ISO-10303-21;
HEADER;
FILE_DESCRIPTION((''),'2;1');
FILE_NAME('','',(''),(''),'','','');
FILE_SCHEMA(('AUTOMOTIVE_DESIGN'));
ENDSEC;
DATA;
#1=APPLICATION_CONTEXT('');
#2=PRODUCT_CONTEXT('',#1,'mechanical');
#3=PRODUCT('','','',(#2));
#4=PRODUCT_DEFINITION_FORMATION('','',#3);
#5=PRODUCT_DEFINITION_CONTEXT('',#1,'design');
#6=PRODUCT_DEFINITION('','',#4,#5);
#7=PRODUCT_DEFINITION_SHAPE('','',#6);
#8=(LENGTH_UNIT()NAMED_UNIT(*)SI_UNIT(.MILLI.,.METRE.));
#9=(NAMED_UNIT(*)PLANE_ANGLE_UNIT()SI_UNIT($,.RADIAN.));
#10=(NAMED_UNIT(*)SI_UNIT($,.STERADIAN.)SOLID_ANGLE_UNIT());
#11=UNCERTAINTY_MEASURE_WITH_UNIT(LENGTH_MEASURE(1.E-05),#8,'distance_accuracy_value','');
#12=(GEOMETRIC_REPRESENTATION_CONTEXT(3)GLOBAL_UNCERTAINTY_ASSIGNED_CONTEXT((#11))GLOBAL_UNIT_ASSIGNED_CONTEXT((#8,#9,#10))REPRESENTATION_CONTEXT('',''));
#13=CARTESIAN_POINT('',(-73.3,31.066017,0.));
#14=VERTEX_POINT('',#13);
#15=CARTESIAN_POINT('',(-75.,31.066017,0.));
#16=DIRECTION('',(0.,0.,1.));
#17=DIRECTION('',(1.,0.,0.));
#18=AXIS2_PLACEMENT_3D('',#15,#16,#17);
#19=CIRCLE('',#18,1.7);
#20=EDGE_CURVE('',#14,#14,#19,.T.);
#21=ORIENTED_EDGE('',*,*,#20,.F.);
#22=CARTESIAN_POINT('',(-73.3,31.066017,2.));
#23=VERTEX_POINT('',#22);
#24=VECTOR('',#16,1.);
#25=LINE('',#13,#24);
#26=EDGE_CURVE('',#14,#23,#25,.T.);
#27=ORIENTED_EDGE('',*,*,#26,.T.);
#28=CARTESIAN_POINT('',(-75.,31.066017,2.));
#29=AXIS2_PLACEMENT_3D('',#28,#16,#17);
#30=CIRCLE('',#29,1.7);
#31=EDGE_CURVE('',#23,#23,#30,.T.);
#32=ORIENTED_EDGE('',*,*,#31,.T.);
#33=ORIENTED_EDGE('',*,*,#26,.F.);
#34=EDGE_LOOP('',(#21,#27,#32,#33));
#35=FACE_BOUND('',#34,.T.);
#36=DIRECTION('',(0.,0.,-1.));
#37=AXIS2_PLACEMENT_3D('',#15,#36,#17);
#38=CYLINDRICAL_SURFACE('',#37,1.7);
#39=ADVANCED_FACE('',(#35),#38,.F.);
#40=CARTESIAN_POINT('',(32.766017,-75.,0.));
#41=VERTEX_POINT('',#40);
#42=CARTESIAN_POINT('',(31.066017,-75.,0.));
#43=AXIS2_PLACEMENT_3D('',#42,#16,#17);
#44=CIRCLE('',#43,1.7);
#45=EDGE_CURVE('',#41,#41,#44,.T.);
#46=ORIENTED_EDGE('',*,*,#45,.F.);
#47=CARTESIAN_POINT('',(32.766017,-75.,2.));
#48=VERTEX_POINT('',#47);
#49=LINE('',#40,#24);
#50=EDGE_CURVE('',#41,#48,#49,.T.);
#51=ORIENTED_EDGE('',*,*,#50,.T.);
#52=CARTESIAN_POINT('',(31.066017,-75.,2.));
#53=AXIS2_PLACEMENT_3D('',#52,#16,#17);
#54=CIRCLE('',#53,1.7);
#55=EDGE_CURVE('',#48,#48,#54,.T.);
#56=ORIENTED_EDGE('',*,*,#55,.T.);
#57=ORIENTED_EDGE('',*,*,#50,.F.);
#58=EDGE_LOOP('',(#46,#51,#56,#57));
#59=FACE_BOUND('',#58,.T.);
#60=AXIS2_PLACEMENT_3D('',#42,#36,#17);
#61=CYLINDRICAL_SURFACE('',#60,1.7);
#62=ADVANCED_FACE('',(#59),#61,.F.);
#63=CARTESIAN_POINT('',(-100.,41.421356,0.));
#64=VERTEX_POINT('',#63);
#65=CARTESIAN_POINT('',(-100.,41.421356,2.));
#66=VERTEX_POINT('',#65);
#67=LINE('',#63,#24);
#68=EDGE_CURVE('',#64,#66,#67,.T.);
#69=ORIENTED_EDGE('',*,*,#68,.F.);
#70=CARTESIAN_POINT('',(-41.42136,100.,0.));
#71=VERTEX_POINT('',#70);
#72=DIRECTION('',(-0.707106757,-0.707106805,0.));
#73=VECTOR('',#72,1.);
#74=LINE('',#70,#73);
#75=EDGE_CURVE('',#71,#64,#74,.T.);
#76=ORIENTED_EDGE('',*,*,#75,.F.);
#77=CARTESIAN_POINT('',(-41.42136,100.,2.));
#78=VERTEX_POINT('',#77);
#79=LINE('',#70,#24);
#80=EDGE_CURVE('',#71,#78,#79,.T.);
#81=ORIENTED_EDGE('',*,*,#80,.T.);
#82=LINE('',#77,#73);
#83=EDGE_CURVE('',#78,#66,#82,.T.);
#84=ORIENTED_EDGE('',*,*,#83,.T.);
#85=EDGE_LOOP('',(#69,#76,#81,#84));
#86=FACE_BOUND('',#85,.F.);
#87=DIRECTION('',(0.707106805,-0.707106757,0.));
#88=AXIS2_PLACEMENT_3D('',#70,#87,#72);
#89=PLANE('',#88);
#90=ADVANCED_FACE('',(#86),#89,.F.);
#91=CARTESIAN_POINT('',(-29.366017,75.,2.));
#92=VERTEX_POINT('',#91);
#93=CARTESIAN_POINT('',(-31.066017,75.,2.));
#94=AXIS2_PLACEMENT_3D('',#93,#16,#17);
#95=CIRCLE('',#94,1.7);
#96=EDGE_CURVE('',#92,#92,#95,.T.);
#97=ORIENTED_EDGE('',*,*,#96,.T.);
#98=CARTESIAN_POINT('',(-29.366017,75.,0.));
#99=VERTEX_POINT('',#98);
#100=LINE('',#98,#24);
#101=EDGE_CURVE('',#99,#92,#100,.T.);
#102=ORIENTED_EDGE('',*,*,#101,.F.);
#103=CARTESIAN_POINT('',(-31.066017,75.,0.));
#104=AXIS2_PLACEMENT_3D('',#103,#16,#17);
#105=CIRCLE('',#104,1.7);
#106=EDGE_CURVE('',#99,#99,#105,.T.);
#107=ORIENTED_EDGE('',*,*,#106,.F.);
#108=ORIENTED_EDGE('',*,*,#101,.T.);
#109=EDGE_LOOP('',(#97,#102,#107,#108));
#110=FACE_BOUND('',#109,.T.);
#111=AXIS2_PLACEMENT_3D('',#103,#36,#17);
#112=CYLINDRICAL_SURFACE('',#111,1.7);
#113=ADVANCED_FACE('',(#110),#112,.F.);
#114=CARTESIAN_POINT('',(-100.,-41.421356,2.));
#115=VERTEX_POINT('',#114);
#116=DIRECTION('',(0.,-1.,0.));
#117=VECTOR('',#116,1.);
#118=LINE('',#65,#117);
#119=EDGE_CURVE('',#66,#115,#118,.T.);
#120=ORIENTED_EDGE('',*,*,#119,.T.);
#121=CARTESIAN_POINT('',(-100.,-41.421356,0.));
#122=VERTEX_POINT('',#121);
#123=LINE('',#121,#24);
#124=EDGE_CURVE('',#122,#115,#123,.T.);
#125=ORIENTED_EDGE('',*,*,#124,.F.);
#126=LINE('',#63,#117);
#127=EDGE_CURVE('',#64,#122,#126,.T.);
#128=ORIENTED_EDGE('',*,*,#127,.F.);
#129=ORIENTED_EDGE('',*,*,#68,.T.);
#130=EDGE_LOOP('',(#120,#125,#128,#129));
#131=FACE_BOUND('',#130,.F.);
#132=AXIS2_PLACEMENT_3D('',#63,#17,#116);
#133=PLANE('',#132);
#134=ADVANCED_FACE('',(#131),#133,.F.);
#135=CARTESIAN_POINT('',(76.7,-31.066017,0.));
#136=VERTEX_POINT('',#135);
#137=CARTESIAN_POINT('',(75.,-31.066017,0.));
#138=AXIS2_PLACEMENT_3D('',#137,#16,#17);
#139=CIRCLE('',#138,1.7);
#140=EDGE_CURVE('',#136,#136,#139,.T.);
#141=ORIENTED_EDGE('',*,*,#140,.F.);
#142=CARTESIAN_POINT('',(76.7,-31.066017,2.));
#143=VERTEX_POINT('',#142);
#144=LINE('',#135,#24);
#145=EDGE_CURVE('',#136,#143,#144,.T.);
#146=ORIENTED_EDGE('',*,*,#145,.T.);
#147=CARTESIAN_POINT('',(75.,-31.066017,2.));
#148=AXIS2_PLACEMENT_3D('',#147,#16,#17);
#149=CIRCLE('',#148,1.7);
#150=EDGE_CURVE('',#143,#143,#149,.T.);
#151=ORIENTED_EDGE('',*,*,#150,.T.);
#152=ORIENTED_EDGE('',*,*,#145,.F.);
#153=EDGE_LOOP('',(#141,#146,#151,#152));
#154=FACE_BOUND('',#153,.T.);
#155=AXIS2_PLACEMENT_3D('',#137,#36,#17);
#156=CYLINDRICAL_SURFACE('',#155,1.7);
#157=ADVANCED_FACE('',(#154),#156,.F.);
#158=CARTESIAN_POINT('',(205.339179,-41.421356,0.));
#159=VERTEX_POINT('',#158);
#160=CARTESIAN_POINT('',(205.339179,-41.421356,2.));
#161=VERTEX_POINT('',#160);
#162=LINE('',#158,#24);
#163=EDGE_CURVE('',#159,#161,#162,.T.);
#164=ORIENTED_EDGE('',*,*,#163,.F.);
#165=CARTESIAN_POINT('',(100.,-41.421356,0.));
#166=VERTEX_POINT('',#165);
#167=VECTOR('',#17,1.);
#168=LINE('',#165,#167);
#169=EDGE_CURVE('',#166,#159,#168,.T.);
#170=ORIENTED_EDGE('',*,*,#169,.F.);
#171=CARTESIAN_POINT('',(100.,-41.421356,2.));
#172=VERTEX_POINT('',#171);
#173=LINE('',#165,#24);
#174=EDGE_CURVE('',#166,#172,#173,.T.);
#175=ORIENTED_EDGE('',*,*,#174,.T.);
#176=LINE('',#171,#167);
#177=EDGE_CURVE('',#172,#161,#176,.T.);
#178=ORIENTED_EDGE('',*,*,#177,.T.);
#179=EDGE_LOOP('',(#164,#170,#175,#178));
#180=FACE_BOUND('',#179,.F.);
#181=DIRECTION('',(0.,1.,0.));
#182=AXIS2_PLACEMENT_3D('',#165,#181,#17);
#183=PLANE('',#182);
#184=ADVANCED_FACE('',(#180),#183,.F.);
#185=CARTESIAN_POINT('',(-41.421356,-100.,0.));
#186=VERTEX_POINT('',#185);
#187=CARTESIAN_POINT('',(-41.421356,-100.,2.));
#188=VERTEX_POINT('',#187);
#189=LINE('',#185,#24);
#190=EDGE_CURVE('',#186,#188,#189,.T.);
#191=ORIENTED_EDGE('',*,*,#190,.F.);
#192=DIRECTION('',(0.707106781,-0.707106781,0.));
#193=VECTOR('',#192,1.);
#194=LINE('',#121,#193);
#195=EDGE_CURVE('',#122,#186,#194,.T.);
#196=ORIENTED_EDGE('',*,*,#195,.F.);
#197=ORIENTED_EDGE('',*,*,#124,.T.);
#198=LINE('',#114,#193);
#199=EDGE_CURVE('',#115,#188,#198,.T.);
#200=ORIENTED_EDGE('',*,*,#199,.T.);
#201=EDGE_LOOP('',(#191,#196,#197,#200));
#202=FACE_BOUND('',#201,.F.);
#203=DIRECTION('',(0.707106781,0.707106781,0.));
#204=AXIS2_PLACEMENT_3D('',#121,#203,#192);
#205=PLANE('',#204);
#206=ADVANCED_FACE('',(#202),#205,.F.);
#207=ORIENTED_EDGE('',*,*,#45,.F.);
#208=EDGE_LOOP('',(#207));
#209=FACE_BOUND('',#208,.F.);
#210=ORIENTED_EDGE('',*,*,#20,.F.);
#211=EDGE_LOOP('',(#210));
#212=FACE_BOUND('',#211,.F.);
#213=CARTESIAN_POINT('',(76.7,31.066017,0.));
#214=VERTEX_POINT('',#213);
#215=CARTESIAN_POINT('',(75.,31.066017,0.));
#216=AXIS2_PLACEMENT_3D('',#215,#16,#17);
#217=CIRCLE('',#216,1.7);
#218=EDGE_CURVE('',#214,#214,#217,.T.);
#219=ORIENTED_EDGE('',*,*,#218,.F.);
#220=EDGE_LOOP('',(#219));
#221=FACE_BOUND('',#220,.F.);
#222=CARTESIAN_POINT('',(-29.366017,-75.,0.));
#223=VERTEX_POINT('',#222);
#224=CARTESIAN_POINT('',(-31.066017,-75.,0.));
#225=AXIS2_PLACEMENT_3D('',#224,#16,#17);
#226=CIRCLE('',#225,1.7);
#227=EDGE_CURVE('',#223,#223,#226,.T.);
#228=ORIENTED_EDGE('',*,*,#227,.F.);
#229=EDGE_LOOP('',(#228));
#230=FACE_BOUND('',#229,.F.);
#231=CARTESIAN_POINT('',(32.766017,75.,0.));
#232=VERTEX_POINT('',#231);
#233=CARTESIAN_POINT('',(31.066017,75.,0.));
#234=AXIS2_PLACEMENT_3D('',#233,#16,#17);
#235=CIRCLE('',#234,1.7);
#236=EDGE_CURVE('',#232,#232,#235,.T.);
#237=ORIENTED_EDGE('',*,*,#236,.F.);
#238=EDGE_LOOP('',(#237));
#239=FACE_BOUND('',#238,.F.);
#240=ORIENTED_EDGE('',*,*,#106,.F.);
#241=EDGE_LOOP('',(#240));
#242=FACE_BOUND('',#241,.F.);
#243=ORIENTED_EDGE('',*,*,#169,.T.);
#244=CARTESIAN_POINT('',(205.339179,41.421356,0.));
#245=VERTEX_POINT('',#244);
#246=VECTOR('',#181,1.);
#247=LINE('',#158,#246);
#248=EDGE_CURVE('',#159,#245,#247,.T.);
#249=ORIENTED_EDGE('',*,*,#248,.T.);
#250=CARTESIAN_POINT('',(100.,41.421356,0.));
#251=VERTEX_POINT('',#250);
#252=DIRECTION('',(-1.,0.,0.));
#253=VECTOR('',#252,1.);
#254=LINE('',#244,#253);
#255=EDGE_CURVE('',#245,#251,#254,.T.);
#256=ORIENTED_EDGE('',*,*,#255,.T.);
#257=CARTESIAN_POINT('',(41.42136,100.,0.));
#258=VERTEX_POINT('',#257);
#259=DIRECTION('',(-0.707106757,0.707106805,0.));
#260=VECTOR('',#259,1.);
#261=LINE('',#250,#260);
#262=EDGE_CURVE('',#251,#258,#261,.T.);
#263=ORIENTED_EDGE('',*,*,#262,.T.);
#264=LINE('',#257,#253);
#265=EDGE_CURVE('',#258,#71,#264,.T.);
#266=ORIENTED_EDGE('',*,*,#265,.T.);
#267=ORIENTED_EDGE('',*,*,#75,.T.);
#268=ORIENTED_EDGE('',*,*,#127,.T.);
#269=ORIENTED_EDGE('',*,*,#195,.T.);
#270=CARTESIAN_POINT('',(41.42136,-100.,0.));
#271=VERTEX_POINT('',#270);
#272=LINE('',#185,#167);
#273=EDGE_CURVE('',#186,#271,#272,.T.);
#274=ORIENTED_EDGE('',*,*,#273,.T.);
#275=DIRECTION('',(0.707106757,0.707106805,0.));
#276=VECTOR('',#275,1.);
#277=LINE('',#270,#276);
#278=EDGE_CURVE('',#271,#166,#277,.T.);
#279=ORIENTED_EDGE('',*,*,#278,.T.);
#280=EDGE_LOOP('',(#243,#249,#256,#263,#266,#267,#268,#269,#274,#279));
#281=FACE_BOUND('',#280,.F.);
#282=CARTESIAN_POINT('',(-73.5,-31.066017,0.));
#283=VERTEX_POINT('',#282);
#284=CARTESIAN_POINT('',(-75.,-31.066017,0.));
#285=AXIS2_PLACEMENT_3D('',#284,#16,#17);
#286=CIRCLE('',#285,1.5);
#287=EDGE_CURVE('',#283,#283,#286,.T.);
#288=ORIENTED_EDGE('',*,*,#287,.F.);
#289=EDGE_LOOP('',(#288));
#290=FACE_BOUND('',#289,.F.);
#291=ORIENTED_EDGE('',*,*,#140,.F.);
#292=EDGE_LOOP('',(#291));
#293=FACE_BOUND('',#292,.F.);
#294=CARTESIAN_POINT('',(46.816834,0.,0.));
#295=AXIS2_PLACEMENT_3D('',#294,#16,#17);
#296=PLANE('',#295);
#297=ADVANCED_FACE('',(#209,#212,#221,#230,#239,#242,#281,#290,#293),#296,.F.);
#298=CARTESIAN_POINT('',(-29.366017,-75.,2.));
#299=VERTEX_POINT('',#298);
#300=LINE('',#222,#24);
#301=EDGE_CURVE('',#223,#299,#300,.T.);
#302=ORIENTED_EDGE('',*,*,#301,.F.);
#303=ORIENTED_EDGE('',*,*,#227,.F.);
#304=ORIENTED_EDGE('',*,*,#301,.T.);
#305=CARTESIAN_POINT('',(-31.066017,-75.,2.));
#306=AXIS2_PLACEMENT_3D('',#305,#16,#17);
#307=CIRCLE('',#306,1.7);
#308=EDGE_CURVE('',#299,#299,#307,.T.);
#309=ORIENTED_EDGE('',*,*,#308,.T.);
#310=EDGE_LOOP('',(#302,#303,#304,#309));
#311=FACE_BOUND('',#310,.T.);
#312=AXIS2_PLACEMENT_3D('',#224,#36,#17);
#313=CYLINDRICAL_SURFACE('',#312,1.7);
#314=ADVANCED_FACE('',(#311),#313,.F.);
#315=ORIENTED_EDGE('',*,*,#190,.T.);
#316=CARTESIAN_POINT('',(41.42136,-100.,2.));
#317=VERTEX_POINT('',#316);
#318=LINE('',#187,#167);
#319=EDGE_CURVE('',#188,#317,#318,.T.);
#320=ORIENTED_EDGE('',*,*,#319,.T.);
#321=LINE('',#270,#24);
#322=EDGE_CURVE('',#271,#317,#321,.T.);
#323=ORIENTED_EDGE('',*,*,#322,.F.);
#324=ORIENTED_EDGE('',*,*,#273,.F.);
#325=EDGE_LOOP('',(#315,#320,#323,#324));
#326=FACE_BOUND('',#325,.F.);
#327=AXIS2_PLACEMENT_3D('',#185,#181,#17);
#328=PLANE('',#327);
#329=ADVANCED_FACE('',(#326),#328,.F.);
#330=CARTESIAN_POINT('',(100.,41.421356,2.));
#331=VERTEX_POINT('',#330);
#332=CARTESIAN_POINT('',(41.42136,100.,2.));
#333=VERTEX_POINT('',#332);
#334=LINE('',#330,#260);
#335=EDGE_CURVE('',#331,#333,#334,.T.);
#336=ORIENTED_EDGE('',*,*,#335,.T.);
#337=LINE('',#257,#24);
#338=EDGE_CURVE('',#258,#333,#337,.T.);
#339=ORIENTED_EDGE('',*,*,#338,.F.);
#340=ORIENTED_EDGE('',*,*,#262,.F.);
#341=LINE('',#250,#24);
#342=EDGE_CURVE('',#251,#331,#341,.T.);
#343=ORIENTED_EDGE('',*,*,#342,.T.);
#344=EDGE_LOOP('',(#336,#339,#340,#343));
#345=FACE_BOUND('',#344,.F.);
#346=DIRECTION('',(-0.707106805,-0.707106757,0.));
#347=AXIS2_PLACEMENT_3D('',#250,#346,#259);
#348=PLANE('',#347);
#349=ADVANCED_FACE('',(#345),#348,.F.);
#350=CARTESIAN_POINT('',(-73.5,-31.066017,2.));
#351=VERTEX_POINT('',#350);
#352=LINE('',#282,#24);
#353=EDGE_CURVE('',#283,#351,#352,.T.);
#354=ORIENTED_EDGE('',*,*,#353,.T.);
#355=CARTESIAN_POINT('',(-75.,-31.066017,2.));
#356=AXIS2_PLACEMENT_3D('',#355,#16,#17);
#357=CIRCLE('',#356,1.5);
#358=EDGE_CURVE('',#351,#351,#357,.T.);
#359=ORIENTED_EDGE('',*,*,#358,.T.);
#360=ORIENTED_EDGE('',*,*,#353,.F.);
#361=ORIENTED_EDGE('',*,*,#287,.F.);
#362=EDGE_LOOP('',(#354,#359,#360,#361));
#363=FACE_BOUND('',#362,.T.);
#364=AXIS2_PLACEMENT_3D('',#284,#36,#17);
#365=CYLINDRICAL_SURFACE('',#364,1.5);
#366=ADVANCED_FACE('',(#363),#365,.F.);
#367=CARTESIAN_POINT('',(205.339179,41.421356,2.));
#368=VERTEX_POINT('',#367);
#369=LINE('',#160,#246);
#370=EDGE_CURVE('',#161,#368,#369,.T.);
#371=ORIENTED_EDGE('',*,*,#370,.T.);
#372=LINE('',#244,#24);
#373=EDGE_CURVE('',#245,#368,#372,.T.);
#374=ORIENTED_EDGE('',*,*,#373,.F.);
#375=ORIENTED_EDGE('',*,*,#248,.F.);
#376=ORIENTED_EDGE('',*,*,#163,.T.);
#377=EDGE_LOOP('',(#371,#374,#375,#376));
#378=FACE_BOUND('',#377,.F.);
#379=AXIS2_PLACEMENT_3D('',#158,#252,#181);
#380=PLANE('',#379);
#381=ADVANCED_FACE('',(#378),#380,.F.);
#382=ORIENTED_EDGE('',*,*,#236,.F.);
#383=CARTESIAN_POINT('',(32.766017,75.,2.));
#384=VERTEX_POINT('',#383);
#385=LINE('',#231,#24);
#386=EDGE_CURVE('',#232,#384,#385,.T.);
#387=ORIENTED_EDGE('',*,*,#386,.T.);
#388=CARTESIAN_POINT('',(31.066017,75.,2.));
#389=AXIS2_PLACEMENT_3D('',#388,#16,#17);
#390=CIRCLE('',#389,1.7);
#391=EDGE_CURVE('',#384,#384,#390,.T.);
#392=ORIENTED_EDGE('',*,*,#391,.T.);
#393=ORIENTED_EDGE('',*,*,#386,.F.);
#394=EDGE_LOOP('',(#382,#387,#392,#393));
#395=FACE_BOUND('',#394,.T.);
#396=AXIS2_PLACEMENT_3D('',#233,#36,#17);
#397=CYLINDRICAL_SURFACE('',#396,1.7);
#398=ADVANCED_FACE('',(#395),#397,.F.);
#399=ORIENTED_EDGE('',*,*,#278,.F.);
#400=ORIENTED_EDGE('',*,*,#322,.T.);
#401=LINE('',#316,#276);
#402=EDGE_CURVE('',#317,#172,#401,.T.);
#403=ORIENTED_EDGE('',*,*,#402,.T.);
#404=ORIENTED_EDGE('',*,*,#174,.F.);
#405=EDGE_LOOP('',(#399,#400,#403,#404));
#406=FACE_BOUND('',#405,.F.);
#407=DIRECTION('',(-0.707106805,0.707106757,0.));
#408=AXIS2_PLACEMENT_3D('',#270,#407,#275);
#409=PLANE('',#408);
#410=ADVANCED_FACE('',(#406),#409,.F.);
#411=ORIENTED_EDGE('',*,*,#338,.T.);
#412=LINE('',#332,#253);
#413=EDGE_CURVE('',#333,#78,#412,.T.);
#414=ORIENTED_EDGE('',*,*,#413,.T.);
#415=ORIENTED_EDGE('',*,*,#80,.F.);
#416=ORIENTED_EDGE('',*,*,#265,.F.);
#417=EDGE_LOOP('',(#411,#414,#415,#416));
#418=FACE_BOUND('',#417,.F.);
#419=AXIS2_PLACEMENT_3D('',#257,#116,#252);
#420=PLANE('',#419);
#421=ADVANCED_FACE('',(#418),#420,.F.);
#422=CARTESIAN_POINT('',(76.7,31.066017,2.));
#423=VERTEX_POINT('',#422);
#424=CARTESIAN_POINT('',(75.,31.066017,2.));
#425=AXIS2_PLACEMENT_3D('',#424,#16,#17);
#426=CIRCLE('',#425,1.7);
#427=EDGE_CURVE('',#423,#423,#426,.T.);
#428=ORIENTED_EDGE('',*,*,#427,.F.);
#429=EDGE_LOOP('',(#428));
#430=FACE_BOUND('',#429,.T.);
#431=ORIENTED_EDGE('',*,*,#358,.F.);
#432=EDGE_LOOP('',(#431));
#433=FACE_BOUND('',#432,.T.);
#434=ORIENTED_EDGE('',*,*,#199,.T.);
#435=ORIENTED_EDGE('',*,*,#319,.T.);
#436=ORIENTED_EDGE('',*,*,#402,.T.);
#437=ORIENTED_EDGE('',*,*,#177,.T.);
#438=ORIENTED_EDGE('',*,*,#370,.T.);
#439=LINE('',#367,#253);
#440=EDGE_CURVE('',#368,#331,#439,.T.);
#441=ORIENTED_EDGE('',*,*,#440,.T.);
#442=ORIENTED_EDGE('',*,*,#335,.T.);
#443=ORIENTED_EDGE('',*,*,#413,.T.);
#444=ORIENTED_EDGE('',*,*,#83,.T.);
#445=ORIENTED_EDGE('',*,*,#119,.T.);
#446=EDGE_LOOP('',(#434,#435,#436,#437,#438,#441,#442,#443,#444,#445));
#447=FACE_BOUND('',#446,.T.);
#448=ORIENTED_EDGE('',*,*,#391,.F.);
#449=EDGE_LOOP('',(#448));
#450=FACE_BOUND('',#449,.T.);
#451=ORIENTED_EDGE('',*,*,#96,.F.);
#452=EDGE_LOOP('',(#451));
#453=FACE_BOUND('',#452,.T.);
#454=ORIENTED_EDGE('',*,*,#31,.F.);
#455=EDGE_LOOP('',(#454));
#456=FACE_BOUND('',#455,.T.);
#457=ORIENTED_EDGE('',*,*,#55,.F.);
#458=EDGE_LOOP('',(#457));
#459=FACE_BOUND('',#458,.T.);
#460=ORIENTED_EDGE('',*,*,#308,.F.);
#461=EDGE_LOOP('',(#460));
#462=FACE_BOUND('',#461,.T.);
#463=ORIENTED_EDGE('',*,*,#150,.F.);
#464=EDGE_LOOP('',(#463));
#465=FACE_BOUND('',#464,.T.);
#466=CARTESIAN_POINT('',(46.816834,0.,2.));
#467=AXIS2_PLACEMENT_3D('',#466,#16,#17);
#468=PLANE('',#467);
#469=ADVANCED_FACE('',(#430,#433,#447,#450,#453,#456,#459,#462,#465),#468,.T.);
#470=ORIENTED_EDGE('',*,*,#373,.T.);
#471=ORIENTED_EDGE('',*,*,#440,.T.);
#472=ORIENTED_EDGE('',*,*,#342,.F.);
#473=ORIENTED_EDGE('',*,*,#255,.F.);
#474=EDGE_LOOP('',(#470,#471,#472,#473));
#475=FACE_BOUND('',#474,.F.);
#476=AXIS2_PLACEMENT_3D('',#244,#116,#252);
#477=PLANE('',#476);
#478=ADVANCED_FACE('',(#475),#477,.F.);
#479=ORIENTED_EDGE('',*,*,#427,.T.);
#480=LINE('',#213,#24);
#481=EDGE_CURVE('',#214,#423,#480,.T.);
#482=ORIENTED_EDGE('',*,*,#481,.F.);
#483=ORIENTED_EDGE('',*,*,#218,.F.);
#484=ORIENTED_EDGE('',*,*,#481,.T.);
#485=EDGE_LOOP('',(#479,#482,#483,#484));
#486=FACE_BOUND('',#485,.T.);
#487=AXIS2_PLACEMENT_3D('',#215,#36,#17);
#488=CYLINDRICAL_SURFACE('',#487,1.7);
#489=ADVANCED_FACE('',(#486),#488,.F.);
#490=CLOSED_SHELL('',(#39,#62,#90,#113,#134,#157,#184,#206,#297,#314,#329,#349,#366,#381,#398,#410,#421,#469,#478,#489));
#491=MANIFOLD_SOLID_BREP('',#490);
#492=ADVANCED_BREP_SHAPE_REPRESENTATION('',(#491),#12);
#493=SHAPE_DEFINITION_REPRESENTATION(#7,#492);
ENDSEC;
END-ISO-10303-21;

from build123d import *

# Parameters (mm, degrees)
F0_R     = 1.7
F0_R_2   = 1.5
F1_DEPTH = 2


with BuildPart() as f1:
    # F0 (on Top) → F1 (new body)
    with BuildSketch(Plane.XY):
        Polygon((41.42136, 100), (-41.42136, 100), (-100, 41.421356), (-100, -41.421356), (-41.421356, -100), (41.42136, -100), (100, -41.421356), (205.339179, -41.421356), (205.339179, 41.421356), (100, 41.421356), align=None)
        with Locations((-31.066017, -75)):
            Circle(F0_R, mode=Mode.SUBTRACT)
        with Locations((31.066017, -75)):
            Circle(F0_R, mode=Mode.SUBTRACT)
        with Locations((-75, -31.066017)):
            Circle(F0_R_2, mode=Mode.SUBTRACT)
        with Locations((75, -31.066017)):
            Circle(F0_R, mode=Mode.SUBTRACT)
        with Locations((-75, 31.066017)):
            Circle(F0_R, mode=Mode.SUBTRACT)
        with Locations((-31.066017, 75)):
            Circle(F0_R, mode=Mode.SUBTRACT)
        with Locations((31.066017, 75)):
            Circle(F0_R, mode=Mode.SUBTRACT)
        with Locations((75, 31.066017)):
            Circle(F0_R, mode=Mode.SUBTRACT)
    extrude(amount=F1_DEPTH)


solid = f1.part
